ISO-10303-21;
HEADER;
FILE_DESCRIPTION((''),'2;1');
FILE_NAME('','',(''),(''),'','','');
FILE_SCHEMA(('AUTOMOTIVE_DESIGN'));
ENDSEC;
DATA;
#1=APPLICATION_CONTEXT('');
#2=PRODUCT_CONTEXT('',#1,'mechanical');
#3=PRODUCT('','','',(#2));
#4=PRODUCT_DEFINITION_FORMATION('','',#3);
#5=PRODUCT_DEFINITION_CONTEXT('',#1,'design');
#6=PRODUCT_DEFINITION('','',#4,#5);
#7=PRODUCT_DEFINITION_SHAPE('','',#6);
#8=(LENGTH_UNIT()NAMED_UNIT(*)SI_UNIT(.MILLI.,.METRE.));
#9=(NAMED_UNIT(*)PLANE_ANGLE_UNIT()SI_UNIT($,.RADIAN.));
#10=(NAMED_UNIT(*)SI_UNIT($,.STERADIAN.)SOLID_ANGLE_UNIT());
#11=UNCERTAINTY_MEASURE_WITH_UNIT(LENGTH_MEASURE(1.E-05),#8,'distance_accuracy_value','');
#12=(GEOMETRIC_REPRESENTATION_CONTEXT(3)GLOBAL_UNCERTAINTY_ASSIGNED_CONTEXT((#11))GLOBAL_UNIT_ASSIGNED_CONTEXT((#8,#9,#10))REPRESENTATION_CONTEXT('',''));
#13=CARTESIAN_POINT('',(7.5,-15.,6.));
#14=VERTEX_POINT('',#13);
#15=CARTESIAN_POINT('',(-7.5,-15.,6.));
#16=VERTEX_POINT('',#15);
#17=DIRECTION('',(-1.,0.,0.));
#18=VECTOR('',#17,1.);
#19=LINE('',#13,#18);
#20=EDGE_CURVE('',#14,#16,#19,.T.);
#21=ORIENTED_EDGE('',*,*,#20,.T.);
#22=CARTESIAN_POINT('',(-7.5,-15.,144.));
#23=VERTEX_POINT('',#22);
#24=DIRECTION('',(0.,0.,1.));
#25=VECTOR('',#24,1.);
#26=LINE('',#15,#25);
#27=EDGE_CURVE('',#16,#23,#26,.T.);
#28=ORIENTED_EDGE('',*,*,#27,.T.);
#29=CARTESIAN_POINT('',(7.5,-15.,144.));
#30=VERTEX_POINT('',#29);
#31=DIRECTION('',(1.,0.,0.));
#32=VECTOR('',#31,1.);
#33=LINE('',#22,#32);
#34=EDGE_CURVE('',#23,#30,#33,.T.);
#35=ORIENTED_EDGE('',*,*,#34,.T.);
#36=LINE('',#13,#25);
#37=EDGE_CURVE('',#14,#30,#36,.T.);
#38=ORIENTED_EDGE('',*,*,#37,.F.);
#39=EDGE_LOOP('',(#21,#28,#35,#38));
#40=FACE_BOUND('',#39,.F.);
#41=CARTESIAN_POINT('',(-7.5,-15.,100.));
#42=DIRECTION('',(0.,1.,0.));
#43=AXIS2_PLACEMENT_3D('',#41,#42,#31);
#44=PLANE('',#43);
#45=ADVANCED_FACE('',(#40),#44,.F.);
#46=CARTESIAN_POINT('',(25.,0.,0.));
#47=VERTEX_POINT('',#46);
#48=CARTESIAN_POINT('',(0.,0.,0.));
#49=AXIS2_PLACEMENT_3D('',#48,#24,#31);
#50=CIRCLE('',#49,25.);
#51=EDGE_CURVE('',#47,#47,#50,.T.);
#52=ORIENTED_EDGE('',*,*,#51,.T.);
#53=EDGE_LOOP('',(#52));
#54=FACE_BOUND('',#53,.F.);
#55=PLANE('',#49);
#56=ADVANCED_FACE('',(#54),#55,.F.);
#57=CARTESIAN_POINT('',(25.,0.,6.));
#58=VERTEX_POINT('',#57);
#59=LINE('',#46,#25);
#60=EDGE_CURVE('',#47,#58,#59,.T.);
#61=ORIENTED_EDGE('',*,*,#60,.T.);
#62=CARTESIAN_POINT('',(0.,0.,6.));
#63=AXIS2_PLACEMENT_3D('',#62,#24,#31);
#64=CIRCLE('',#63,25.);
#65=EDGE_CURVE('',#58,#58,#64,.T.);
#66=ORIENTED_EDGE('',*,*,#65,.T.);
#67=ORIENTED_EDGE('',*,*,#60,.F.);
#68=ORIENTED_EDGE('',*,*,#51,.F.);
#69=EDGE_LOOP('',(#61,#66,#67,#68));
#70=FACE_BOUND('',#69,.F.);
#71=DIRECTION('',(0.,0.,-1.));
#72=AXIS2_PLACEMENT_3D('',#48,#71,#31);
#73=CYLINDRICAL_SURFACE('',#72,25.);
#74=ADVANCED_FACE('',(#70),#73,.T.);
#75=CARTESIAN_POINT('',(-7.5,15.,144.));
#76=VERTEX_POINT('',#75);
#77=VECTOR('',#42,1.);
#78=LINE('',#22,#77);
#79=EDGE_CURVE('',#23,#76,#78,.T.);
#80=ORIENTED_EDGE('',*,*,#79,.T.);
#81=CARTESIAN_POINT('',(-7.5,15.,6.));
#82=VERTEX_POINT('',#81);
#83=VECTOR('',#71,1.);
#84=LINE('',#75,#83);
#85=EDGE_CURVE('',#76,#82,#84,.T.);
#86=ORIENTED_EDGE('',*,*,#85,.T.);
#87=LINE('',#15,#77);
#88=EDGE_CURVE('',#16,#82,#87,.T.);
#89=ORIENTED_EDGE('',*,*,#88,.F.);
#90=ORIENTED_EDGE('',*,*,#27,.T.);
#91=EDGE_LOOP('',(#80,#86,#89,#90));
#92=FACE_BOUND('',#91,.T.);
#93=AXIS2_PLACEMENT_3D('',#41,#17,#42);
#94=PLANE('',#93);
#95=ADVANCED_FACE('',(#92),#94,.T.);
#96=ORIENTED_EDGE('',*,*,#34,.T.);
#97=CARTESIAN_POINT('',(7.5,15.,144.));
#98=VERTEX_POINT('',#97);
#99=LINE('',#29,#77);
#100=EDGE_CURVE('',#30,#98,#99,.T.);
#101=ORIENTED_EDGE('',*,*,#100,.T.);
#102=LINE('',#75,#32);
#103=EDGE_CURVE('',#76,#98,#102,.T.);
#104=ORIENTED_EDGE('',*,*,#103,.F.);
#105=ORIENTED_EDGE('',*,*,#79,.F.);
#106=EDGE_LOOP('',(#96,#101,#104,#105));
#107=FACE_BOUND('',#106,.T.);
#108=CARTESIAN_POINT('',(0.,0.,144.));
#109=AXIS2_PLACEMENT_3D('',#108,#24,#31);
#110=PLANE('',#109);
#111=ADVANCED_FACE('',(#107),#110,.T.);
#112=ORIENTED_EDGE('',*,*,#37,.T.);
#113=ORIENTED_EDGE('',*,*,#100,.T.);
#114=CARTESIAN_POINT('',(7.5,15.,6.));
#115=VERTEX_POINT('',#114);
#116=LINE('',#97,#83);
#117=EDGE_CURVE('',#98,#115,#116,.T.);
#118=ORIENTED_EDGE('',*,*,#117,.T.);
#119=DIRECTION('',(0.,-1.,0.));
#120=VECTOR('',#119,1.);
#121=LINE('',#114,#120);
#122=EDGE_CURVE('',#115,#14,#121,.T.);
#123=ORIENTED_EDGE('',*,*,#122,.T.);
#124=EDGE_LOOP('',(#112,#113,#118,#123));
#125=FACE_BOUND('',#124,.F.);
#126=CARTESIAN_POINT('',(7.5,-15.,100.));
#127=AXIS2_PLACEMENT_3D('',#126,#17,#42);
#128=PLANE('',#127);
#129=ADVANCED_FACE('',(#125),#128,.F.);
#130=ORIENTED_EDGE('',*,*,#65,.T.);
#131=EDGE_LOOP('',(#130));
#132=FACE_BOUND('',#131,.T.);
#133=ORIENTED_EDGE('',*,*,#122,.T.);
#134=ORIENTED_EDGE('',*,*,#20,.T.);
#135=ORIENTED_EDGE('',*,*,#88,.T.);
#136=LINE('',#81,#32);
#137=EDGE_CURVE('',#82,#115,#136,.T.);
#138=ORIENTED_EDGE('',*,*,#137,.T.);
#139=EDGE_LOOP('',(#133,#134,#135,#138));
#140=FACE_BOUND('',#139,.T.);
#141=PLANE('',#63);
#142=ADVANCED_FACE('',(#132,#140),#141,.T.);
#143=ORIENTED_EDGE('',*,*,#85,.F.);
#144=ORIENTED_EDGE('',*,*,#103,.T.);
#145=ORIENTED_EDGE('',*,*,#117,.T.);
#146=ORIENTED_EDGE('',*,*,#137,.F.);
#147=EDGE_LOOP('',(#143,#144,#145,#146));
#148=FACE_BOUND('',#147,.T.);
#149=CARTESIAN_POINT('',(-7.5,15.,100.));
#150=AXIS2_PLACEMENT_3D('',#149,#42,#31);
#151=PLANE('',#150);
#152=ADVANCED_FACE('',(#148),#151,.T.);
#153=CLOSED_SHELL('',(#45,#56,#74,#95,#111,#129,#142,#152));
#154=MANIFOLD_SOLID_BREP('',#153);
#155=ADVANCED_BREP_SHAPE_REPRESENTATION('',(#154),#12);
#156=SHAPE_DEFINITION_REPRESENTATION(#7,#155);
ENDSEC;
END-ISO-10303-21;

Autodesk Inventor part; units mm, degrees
ref_plane "YZ Plane" through (0, 0, 0) normal (1, 0, 0) x (0, 1, 0)
ref_plane "XZ Plane" through (0, 0, 0) normal (0, 1, 0) x (-1, 0, 0)
ref_plane "XY Plane" through (0, 0, 0) normal (0, 0, 1) x (1, 0, 0)
sketch "スケッチ1" plane through (0, 0, 0) normal (0, 0, 1) x (1, 0, 0)
  circle A0 centre (0, 0) radius 25
  dimension "d0" = 50
extrude "押し出し1" add sketch "スケッチ1" along normal blind 6
sketch "スケッチ2" plane through (0, 0, 6) normal (0, 0, 1) x (1, 0, 0)
  line L0 (-7.5, 15) -> (7.5, 15)
  line L1 (7.5, 15) -> (7.5, -15)
  line L2 (7.5, -15) -> (-7.5, -15)
  line L3 (-7.5, -15) -> (-7.5, 15)
  circle A0 centre (0, 0) radius 25 projected
  dimension "d3" = 15
  dimension "d4" = 30
  dimension "d5" = 7.5
  dimension "d6" = 15
extrude "押し出し2" add sketch "スケッチ2" along normal blind 100 contours L0 L1 L2 L3
sketch "スケッチ3" plane through (0, 0, 106) normal (0, 0, 1) x (1, 0, 0)
  circle A0 centre (0, 0) radius 25
  dimension "d9" = 50
extrude "押し出し3" cut sketch "スケッチ3" against normal blind 6
sketch "スケッチ4" plane through (0, 0, 100) normal (0, 0, 1) x (1, 0, 0)
  circle A0 centre (0, 0) radius 25
  dimension "d12" = 50
extrude "押し出し4" add sketch "スケッチ4" along normal blind 6
sketch "スケッチ5" plane through (0, 0, 106) normal (0, 0, 1) x (1, 0, 0)
  circle A0 centre (0, 0) radius 25
  dimension "d15" = 50
extrude "押し出し5" cut sketch "スケッチ5" against normal blind 6
sketch "スケッチ6" plane through (0, 0, 100) normal (0, 0, 1) x (1, 0, 0)
  line L0 (-7.5, -15) -> (-7.5, 15) projected
  line L1 (-7.5, 15) -> (7.5, 15) projected
  line L2 (-7.5, -15) -> (7.5, -15)
  line L3 (7.5, -15) -> (7.5, 15)
  line L4 (7.5, 15) -> (-7.5, 15)
  line L5 (-7.5, 15) -> (-7.5, -15)
  point P0 (0, 0)
extrude "押し出し6" add sketch "スケッチ6" along normal blind 44
sketch "スケッチ7" plane through (0, 0, 144) normal (0, 0, 1) x (1, 0, 0)
  circle A0 centre (0, 0) radius 25
  dimension "d20" = 50
extrude "押し出し7" add sketch "スケッチ7" along normal blind 6
sketch "スケッチ8" plane through (0, 0, 150) normal (0, 0, 1) x (1, 0, 0)
  circle A0 centre (0, 0) radius 25
  dimension "d23" = 50
extrude "押し出し8" cut sketch "スケッチ8" against normal blind 6
properties part number "NHK_t0_5"
